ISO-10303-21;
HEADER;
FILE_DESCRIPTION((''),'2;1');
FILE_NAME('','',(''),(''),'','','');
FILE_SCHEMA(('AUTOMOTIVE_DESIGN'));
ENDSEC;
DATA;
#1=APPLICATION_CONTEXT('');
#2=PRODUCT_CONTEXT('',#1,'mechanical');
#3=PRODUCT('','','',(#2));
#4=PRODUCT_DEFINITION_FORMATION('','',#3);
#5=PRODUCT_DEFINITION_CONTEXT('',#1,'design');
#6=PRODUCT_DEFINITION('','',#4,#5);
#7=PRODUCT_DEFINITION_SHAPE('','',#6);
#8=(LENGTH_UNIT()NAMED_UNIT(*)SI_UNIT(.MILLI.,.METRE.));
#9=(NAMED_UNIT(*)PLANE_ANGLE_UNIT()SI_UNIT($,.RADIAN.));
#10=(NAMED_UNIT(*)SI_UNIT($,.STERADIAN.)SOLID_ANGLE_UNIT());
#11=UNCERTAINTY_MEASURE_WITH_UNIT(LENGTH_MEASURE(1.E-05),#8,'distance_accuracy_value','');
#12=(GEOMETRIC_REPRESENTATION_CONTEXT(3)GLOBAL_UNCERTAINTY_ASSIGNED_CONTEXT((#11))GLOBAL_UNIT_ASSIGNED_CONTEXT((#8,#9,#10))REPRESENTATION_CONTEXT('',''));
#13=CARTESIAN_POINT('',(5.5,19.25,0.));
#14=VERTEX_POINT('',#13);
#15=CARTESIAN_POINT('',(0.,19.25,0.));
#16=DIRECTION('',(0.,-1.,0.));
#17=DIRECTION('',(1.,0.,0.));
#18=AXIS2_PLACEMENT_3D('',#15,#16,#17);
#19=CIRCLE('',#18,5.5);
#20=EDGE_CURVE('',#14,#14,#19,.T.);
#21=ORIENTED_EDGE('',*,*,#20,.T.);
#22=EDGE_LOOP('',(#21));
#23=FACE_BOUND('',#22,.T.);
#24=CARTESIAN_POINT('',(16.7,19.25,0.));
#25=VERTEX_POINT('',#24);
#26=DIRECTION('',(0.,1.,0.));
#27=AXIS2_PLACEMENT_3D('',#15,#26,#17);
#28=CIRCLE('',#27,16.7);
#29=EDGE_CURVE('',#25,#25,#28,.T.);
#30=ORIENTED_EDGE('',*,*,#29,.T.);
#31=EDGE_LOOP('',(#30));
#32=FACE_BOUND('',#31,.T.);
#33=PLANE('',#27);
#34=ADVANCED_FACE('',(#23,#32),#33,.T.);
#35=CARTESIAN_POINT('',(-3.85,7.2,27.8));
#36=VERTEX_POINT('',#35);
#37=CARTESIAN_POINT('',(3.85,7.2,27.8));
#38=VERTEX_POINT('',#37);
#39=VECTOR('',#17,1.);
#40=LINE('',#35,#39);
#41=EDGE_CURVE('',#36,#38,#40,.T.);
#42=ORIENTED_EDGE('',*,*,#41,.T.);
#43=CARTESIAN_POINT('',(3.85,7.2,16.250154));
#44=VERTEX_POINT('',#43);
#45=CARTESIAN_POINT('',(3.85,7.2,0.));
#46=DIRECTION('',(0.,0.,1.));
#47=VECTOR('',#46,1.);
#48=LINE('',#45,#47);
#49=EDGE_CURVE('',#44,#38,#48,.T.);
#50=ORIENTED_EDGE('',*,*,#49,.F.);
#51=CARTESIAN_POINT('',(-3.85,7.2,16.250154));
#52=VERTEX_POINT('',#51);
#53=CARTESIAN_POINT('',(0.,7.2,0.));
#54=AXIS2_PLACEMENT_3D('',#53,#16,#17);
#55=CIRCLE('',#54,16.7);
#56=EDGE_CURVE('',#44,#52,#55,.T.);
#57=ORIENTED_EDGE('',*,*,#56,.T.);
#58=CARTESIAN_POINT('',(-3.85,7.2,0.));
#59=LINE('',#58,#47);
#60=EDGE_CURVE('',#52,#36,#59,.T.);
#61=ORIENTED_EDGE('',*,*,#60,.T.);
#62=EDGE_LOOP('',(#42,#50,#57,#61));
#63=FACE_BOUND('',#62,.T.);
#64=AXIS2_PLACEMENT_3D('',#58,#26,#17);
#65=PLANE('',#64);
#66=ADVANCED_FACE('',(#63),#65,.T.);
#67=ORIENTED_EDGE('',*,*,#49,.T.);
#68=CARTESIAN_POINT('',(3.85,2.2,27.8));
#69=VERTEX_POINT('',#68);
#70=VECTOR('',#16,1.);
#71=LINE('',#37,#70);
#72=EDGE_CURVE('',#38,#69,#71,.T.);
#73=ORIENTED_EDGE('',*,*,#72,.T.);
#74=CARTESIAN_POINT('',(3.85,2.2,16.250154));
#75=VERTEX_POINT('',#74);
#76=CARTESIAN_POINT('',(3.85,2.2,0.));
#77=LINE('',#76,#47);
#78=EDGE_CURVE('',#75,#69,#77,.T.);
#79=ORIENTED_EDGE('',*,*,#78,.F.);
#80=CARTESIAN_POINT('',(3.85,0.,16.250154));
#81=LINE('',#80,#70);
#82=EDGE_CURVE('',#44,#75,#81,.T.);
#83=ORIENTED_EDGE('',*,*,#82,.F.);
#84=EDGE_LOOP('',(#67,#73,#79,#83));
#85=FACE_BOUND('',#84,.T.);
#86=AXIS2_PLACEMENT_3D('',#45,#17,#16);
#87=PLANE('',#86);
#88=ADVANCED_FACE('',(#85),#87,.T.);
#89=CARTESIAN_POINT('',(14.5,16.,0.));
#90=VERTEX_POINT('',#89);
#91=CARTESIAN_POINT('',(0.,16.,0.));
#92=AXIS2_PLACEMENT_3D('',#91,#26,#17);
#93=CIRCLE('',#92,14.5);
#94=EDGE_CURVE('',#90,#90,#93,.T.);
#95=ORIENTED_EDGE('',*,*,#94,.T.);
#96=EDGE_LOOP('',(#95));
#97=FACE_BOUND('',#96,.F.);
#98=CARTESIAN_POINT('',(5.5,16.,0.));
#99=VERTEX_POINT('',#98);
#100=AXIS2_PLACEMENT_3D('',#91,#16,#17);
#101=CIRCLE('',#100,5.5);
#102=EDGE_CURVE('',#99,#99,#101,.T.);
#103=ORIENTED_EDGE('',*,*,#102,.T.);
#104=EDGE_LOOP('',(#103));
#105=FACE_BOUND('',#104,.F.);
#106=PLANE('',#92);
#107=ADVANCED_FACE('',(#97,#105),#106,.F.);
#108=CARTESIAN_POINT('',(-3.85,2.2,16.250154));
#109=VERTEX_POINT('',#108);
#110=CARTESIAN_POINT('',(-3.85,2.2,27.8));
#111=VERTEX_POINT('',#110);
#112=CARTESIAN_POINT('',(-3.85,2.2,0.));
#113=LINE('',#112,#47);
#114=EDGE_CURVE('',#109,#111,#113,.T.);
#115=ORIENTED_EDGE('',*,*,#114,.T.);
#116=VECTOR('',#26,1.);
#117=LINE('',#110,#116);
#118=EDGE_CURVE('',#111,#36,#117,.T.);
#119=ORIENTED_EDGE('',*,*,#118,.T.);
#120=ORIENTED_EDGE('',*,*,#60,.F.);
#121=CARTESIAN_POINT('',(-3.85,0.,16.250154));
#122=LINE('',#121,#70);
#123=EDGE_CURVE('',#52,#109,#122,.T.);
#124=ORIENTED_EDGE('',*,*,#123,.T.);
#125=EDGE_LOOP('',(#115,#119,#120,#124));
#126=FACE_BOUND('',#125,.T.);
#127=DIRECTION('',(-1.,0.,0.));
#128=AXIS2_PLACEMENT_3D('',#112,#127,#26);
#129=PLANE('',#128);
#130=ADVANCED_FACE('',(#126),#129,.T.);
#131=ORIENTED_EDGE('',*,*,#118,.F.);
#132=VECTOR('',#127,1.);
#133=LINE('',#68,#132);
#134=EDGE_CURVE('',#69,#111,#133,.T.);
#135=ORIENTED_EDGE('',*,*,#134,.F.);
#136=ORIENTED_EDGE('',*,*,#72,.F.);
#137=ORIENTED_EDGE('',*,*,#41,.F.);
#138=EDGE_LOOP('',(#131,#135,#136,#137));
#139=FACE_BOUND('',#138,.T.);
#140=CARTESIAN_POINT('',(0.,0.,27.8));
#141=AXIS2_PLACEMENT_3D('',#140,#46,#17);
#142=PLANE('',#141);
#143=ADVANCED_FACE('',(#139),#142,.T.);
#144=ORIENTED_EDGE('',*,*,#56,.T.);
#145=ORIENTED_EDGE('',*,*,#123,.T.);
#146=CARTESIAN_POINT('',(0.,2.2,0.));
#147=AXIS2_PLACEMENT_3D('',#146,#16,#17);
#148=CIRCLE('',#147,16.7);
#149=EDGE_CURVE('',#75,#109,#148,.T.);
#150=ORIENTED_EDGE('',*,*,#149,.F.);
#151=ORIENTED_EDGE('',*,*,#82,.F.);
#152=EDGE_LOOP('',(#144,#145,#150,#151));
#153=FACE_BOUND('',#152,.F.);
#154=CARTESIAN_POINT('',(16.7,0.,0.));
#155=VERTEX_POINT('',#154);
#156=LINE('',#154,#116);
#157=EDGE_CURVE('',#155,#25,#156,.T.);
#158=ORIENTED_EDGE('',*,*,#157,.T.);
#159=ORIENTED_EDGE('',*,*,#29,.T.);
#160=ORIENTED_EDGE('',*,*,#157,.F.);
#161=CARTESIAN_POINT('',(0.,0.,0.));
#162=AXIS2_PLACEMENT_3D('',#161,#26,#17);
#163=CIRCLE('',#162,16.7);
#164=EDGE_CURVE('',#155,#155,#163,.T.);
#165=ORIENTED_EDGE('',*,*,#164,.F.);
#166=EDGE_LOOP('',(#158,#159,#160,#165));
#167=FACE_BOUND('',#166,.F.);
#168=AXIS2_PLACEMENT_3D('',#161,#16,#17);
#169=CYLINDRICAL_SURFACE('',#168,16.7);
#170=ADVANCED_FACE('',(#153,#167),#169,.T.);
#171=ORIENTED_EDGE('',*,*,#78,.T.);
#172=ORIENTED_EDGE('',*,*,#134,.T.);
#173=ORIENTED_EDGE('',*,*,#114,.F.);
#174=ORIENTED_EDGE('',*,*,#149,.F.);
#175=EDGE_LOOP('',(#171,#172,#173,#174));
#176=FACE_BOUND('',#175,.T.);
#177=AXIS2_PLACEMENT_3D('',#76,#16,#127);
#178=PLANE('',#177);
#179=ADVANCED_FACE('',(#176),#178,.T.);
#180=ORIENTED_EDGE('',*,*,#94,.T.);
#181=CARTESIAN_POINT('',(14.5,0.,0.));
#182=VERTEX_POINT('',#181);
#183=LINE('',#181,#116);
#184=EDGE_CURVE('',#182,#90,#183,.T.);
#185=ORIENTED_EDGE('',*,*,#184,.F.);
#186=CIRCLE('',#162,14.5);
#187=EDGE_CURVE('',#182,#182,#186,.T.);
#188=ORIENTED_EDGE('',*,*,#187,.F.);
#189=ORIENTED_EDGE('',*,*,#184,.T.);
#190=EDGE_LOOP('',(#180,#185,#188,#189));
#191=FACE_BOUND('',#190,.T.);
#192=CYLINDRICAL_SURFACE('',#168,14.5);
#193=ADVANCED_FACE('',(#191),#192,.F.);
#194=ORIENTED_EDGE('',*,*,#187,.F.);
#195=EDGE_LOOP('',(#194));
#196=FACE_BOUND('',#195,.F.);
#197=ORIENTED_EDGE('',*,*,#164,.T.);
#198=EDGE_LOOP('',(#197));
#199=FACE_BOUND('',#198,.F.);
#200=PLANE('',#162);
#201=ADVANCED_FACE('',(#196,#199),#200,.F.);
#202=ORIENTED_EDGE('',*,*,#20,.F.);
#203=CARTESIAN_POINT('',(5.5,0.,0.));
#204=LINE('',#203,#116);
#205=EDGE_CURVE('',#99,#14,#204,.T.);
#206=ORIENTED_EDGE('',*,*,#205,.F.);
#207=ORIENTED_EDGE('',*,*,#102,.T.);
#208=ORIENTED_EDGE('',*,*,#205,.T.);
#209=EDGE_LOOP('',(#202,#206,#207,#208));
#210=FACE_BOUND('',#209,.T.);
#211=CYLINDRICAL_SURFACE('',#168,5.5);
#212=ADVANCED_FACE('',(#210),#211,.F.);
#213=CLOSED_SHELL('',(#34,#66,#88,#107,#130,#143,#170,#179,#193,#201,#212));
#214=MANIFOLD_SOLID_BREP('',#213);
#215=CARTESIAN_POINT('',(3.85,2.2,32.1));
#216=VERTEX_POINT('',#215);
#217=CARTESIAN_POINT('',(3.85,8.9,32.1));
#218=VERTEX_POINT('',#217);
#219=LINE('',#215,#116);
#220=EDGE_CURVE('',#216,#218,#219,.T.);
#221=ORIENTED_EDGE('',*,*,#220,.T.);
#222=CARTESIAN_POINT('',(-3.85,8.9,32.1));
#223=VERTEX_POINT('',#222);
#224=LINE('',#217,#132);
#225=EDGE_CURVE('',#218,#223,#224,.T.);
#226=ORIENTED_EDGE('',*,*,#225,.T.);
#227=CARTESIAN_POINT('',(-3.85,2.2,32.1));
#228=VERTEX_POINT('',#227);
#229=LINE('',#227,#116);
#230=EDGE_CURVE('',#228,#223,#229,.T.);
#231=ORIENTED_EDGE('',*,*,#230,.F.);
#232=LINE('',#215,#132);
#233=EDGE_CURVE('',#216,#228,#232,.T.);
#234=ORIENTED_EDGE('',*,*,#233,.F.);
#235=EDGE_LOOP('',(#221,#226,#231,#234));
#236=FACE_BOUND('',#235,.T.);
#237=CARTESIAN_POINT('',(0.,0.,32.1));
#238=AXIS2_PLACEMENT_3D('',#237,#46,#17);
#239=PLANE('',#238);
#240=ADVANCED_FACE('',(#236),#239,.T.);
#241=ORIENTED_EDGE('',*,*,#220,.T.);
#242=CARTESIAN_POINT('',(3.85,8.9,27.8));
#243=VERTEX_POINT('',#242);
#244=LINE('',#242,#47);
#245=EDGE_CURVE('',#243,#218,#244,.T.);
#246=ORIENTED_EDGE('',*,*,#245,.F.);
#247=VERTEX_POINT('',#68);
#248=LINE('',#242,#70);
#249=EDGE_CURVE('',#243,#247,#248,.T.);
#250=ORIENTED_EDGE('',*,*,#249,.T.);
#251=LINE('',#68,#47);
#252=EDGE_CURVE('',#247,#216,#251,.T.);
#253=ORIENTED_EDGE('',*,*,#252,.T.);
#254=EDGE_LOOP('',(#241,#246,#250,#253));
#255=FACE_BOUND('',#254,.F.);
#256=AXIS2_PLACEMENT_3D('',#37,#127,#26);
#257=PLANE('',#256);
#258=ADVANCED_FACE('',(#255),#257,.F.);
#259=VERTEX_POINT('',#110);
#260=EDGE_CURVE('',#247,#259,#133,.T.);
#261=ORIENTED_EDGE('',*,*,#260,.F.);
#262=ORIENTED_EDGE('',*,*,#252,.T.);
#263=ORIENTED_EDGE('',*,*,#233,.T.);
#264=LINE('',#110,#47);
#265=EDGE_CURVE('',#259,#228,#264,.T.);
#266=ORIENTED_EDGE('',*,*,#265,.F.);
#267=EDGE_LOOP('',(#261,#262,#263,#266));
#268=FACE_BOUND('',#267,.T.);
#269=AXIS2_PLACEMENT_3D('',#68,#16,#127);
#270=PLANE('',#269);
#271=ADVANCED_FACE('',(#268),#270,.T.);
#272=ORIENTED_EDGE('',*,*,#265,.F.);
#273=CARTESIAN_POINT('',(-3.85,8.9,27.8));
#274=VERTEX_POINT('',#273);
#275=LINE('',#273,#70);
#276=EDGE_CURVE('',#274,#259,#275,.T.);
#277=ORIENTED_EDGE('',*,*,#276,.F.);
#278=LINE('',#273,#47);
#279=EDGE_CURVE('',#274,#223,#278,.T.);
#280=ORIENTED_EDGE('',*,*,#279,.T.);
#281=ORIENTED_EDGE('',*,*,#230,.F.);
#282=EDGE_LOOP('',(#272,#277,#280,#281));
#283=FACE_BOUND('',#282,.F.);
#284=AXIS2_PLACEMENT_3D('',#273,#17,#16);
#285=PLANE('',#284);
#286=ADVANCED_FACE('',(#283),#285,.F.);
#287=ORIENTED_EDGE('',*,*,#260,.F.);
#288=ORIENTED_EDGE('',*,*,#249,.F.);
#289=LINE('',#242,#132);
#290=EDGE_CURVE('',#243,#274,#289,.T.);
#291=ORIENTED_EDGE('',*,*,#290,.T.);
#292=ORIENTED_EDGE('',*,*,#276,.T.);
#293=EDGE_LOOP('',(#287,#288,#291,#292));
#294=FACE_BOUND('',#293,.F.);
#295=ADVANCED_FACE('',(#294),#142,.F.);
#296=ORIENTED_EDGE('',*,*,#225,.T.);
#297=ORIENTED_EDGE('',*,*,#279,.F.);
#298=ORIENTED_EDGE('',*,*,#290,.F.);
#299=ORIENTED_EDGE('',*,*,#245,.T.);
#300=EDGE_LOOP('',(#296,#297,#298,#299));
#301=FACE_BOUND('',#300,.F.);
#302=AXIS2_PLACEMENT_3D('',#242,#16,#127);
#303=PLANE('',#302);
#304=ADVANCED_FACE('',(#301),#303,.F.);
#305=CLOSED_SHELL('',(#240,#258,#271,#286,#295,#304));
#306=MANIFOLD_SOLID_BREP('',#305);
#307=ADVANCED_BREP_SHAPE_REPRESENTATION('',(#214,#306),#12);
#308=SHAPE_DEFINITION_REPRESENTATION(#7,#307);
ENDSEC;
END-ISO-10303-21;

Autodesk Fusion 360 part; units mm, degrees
sketch "Esboço1" plane through (0, 0, 0) normal (0, 1, 0) x (1, 0, 0)
  circle A0 centre (0, 0) radius 16.7
  circle A1 centre (0, 0) radius 14.5
  circle A2 centre (0, 0) radius 5.5
  dimension "d1" = 33.4
  dimension "d2" = 29
  dimension "d12" = 11
extrude "Extrusão1" add sketch "Esboço1" along normal blind 19.25 contours A0 | A1 | A2 makes body 1
extrude "Extrusão2" cut sketch "Esboço1" along normal blind 16 contours A1 | A2 bodies 1
sketch "Esboço2" plane through (0, 0, 0) normal (0, 0, 1) x (1, 0, 0)
  line L0 (0, 0) -> (-4.5, 0)
  line L1 (-3.85, 7.2) -> (3.85, 7.2)
  line L2 (3.85, 7.2) -> (3.85, 2.2)
  line L3 (3.85, 2.2) -> (-3.85, 2.2)
  line L4 (-3.85, 2.2) -> (-3.85, 7.2)
  line L5 (-3.85, 2.2) -> (3.85, 2.2)
  line L6 (3.85, 2.2) -> (3.85, 8.9)
  line L7 (3.85, 8.9) -> (-3.85, 8.9)
  line L8 (-3.85, 8.9) -> (-3.85, 2.2)
  dimension "d15" = 7.7
  dimension "d16" = 5
  dimension "d17" = 3.85
  dimension "d18" = 2.2
  dimension "d19" = 7.7
  dimension "d20" = 6.7
extrude "Extrusão4" cut sketch "Esboço1" along normal blind 22 contours A2 bodies 1
extrude "Extrusão6" add sketch "Esboço2" along normal blind 27.8 contours L1 L2 L3 L4 L5 L6 L8 bodies 1
extrude "Extrusão5" add sketch "Esboço2" along normal blind 4.3 from surface at 27.8 separate body makes body 2
extrude "Extrusão7" cut sketch "Esboço2" along normal up to surface end surface at (14.482, 10.6667, 0.7228) on bodies 1 bodies 1
